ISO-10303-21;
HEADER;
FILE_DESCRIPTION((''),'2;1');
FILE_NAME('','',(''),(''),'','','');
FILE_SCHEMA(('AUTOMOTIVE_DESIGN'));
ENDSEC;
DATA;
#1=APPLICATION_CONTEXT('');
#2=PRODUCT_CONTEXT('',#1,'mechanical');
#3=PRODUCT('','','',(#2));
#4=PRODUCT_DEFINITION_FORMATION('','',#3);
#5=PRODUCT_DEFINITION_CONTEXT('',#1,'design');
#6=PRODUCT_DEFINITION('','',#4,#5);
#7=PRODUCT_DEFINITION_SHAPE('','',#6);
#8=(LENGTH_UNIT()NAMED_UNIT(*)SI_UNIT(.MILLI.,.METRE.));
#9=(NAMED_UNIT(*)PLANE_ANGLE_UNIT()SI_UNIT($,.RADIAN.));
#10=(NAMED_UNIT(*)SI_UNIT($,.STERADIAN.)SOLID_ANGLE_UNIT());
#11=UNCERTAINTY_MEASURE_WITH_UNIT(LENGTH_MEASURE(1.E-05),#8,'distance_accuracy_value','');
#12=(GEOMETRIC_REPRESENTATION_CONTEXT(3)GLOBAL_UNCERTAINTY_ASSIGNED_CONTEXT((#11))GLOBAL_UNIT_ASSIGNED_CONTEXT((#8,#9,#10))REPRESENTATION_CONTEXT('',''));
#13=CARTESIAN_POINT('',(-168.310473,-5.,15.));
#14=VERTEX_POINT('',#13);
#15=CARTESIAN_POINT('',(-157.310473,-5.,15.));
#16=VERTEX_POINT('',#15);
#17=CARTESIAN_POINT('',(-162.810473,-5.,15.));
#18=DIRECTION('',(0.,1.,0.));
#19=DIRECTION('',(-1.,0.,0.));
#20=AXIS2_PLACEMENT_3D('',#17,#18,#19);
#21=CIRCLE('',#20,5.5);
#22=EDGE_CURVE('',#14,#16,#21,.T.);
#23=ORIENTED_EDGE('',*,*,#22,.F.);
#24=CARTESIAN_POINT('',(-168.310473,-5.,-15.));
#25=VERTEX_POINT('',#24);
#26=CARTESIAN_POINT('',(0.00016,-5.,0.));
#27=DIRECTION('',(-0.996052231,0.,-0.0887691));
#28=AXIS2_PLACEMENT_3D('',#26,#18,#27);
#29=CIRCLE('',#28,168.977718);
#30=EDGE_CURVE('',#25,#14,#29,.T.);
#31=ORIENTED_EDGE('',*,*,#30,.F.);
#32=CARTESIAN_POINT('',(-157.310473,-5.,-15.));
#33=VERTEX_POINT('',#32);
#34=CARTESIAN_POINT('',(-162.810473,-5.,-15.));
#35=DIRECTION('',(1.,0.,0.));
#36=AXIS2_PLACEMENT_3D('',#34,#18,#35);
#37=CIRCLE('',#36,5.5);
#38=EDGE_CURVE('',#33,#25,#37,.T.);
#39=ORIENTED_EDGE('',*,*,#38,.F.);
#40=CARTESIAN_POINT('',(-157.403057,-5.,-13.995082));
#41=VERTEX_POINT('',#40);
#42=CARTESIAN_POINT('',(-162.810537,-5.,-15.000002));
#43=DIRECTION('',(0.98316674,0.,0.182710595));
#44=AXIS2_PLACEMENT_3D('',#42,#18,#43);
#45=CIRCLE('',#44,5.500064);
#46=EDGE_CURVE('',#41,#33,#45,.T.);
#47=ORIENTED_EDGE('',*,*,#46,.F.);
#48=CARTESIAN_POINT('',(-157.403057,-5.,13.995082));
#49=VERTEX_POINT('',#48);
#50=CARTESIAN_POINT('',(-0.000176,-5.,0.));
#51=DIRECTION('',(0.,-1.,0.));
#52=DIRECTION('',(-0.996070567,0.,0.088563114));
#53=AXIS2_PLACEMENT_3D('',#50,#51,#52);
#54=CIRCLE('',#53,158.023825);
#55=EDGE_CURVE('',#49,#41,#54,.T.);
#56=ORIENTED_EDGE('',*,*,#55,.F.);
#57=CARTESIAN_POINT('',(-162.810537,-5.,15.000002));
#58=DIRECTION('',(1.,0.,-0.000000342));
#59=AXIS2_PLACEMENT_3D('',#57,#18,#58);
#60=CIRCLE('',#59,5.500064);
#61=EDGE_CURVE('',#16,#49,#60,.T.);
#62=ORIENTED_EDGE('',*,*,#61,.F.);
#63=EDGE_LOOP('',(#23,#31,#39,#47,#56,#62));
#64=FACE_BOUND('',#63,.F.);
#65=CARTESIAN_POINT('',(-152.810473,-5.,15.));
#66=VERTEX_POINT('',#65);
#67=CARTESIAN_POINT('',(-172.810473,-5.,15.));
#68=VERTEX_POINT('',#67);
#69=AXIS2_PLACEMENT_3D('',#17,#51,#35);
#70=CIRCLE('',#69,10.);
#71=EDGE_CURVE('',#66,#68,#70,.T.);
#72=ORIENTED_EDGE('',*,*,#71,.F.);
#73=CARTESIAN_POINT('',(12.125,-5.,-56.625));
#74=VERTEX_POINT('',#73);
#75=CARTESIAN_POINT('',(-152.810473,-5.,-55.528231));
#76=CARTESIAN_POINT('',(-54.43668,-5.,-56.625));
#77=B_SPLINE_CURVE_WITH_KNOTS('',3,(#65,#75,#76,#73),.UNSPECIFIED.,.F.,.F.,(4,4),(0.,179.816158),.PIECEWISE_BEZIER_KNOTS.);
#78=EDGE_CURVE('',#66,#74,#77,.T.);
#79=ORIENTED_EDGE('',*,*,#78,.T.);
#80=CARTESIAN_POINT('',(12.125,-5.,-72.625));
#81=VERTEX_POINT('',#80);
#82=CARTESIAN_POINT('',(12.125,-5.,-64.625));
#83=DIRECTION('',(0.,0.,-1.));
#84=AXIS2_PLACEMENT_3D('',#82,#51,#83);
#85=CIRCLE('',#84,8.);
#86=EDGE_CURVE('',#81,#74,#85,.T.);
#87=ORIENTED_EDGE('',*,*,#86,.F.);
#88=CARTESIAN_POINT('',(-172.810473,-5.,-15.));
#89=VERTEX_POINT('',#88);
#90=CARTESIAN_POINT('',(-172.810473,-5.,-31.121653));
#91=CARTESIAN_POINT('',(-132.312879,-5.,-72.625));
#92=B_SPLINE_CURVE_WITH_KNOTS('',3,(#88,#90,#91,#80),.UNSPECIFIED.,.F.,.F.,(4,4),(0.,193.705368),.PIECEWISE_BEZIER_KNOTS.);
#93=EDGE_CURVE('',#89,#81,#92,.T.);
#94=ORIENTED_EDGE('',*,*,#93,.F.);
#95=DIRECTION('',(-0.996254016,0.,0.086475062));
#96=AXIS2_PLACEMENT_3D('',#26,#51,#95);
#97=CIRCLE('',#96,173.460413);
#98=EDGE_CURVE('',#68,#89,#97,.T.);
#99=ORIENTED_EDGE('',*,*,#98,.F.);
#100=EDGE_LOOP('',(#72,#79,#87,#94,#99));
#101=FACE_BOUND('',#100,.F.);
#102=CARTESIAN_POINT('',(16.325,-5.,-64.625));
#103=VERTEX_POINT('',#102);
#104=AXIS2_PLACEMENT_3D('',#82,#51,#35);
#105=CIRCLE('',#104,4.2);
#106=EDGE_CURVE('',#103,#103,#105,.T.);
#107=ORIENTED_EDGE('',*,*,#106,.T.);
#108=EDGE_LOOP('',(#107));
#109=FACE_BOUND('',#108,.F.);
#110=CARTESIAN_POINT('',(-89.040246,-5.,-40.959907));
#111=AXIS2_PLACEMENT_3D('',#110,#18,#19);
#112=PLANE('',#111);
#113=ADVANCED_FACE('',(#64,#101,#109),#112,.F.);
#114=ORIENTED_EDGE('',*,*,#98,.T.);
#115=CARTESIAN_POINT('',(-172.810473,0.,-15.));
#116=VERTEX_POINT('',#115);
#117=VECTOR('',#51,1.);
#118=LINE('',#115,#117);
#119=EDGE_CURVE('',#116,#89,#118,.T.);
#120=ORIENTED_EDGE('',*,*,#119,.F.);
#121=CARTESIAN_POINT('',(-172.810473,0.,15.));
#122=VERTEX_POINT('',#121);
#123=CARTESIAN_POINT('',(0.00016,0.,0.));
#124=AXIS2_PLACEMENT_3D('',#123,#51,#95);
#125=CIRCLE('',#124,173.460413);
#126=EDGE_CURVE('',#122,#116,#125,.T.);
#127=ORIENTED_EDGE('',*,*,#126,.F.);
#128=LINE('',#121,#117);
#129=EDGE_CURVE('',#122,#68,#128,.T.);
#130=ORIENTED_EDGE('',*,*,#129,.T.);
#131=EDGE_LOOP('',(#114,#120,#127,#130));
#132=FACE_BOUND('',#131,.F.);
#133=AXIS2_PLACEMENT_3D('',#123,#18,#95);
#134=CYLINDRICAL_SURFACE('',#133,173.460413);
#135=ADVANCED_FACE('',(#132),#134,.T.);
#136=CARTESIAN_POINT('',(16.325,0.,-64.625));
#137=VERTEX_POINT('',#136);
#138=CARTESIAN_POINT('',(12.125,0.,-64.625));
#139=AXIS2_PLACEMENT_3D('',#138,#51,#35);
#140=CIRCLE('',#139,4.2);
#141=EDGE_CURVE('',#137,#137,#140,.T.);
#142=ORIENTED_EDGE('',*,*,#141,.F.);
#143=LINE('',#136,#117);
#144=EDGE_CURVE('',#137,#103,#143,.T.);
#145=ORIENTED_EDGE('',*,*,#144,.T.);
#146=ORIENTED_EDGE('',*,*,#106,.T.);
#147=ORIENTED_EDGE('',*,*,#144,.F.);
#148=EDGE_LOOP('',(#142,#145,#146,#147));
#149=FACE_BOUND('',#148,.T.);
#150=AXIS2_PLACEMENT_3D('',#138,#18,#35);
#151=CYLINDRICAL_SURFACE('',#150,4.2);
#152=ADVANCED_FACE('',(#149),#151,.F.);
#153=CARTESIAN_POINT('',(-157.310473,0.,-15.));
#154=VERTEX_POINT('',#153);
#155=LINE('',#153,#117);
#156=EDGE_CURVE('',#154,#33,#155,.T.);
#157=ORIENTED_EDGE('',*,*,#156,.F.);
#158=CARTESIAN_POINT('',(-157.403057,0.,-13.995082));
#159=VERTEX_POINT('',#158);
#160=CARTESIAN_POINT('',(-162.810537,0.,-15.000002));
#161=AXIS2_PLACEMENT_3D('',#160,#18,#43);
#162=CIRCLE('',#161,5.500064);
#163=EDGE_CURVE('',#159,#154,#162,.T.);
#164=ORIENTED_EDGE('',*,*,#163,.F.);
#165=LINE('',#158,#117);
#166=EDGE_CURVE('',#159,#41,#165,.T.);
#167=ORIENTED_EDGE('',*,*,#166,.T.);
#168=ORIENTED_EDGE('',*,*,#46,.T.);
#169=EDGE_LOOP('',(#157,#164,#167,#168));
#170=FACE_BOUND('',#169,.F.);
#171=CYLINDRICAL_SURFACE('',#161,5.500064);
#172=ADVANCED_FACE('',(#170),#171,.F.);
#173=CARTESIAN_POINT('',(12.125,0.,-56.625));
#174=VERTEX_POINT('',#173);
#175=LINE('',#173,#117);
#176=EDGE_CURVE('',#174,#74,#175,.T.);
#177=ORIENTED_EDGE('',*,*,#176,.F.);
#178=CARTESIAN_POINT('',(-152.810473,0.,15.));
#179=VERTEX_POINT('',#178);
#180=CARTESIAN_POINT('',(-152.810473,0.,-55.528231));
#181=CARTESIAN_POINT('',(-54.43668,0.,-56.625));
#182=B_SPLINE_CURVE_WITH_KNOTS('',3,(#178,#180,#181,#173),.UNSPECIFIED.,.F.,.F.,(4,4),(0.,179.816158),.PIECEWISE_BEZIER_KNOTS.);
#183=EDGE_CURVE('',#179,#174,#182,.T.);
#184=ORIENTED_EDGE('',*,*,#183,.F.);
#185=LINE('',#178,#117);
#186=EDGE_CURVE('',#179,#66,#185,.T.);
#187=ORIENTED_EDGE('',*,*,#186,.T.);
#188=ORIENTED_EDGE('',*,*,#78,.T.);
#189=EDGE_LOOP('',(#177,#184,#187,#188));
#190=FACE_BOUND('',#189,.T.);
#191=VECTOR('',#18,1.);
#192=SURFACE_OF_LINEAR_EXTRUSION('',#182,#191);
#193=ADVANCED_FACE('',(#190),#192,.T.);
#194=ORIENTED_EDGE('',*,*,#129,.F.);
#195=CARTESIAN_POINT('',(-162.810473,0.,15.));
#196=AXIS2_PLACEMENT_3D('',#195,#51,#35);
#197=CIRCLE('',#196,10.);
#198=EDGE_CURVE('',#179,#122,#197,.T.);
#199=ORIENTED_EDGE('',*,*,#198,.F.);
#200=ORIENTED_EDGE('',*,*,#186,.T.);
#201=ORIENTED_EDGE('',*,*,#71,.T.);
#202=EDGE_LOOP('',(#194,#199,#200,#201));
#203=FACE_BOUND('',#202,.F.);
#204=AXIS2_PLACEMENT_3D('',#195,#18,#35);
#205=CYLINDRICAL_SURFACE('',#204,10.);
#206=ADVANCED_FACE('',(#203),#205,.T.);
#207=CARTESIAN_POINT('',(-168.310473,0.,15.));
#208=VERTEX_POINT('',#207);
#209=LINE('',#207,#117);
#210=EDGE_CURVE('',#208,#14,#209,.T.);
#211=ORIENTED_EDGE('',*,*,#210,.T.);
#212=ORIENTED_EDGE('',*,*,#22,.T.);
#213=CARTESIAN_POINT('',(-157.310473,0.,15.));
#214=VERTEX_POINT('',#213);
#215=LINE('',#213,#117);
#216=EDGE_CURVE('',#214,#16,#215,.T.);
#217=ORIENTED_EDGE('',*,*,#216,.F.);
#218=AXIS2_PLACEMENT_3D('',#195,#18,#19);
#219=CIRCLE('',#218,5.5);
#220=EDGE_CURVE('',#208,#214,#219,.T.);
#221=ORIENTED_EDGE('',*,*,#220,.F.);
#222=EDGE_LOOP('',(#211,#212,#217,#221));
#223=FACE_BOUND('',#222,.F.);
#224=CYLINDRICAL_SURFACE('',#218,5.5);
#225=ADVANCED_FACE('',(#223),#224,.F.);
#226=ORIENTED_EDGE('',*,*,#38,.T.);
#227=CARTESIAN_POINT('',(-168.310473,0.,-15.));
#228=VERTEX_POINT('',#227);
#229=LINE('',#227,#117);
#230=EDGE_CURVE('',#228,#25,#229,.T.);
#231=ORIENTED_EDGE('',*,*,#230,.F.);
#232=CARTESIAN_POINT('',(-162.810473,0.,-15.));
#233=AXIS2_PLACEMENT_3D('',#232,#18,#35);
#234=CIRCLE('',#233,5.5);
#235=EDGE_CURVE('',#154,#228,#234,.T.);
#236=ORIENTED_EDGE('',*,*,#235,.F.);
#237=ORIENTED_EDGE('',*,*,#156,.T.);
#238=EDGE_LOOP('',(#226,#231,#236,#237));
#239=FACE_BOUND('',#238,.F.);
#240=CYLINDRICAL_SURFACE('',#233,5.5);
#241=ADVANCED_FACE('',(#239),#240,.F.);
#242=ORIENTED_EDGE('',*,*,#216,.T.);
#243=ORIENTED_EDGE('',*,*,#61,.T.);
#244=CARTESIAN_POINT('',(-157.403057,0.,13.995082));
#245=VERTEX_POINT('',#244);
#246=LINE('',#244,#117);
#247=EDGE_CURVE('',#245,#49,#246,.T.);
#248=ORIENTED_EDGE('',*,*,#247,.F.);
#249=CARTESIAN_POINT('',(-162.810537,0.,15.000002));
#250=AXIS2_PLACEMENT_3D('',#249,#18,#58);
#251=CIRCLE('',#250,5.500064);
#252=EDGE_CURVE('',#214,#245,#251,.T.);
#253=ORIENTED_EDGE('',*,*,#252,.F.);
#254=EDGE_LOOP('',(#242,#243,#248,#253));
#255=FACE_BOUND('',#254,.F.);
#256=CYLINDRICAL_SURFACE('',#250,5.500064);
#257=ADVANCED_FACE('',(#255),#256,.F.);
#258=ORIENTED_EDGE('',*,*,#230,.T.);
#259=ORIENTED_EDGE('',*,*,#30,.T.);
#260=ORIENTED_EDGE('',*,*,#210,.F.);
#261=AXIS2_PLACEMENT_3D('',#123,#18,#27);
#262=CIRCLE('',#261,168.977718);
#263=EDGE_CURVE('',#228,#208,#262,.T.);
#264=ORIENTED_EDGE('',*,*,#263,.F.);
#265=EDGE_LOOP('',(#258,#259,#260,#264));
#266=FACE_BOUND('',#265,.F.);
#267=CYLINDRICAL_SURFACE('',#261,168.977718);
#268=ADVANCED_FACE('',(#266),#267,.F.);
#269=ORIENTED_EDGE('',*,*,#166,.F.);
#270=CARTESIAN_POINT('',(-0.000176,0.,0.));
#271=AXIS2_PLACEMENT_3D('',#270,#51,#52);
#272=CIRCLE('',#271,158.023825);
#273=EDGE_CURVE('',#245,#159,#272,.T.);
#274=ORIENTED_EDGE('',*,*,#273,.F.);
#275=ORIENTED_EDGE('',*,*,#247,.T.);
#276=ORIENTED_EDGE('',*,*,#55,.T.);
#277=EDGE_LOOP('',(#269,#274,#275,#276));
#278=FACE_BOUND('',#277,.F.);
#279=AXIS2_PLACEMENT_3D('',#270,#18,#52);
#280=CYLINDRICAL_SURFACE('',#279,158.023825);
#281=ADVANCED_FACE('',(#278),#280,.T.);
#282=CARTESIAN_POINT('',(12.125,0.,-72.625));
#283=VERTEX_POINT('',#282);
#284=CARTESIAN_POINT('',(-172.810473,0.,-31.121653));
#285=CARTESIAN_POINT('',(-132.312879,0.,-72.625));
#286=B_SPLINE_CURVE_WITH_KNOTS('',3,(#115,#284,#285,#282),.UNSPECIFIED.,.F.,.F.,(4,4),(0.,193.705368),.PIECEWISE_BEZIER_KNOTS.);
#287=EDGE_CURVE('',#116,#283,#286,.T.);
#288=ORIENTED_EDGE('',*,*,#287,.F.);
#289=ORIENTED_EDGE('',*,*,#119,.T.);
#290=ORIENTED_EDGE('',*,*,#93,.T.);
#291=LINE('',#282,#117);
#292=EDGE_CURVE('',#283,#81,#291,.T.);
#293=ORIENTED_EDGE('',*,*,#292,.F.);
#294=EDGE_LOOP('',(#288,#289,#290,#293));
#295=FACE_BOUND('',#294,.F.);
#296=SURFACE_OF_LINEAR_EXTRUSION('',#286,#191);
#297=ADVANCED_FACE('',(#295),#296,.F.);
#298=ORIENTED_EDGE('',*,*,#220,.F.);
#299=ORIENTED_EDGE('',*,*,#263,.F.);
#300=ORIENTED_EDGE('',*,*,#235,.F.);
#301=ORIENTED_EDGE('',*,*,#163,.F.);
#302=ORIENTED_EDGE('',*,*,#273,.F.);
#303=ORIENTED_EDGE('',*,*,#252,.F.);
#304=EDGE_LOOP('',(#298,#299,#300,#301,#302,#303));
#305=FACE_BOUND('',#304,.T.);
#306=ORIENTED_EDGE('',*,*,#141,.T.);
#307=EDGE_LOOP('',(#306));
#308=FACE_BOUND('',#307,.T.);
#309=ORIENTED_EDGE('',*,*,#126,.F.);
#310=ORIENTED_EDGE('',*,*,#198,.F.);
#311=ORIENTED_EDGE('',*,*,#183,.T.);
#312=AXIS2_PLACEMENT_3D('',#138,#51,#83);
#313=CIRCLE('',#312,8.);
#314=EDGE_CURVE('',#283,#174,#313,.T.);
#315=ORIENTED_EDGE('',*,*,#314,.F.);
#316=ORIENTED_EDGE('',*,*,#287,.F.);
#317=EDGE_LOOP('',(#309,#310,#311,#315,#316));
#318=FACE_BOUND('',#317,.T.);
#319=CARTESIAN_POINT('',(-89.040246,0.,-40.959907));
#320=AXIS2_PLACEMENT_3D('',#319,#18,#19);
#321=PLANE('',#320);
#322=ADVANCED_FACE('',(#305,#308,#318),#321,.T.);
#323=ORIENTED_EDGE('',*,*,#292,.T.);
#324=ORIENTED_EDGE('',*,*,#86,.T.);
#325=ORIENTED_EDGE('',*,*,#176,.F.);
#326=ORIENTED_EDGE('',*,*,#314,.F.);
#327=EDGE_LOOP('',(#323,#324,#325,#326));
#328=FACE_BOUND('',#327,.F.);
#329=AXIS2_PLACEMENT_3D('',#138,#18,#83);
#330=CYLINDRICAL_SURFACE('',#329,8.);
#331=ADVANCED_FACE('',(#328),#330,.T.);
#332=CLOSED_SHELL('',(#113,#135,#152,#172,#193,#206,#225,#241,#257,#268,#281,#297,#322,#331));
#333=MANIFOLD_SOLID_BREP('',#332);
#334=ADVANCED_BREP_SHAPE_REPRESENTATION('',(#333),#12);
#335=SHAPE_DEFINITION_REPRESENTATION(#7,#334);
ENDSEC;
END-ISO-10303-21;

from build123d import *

# Parameters (mm, degrees)
F1_R     = 4.2
F2_DEPTH = 5


with BuildPart() as f2:
    # F1 (on Front) → F2 (new body)
    with BuildSketch(Plane.XZ):
        with BuildLine():
            add(Edge.make_bspline(
                [(-152.810473, 15), (-152.810473, -55.528231), (-54.43668, -56.625), (12.125, -56.625)],
                knots=[0, 0, 0, 0, 179.816158, 179.816158, 179.816158, 179.816158], degree=3))
            ThreePointArc((-152.810473, 15), (-162.810473, 25), (-172.810473, 15))
            ThreePointArc((-172.810473, 15), (-173.460253, 0), (-172.810473, -15))
            add(Edge.make_bspline(
                [(-172.810473, -15), (-172.810473, -31.121653), (-132.312879, -72.625), (12.125, -72.625)],
                knots=[0, 0, 0, 0, 193.705368, 193.705368, 193.705368, 193.705368], degree=3))
            ThreePointArc((12.125, -72.625), (20.125, -64.625), (12.125, -56.625))
        make_face()
        with Locations((12.125, -64.625)):
            Circle(F1_R, mode=Mode.SUBTRACT)
        with BuildLine():
            ThreePointArc((-157.310473, -15), (-162.810473, -20.5), (-168.310473, -15))
            ThreePointArc((-168.310473, -15), (-168.977558, 0), (-168.310473, 15))
            ThreePointArc((-168.310473, 15), (-162.810473, 20.5), (-157.310473, 15))
            ThreePointArc((-157.310473, 15), (-157.333668, 14.495413), (-157.403057, 13.995082))
            ThreePointArc((-157.403057, 13.995082), (-158.024001, 0), (-157.403057, -13.995082))
            ThreePointArc((-157.403057, -13.995082), (-157.333668, -14.495413), (-157.310473, -15))
        make_face(mode=Mode.SUBTRACT)
    extrude(amount=F2_DEPTH)


solid = f2.part
